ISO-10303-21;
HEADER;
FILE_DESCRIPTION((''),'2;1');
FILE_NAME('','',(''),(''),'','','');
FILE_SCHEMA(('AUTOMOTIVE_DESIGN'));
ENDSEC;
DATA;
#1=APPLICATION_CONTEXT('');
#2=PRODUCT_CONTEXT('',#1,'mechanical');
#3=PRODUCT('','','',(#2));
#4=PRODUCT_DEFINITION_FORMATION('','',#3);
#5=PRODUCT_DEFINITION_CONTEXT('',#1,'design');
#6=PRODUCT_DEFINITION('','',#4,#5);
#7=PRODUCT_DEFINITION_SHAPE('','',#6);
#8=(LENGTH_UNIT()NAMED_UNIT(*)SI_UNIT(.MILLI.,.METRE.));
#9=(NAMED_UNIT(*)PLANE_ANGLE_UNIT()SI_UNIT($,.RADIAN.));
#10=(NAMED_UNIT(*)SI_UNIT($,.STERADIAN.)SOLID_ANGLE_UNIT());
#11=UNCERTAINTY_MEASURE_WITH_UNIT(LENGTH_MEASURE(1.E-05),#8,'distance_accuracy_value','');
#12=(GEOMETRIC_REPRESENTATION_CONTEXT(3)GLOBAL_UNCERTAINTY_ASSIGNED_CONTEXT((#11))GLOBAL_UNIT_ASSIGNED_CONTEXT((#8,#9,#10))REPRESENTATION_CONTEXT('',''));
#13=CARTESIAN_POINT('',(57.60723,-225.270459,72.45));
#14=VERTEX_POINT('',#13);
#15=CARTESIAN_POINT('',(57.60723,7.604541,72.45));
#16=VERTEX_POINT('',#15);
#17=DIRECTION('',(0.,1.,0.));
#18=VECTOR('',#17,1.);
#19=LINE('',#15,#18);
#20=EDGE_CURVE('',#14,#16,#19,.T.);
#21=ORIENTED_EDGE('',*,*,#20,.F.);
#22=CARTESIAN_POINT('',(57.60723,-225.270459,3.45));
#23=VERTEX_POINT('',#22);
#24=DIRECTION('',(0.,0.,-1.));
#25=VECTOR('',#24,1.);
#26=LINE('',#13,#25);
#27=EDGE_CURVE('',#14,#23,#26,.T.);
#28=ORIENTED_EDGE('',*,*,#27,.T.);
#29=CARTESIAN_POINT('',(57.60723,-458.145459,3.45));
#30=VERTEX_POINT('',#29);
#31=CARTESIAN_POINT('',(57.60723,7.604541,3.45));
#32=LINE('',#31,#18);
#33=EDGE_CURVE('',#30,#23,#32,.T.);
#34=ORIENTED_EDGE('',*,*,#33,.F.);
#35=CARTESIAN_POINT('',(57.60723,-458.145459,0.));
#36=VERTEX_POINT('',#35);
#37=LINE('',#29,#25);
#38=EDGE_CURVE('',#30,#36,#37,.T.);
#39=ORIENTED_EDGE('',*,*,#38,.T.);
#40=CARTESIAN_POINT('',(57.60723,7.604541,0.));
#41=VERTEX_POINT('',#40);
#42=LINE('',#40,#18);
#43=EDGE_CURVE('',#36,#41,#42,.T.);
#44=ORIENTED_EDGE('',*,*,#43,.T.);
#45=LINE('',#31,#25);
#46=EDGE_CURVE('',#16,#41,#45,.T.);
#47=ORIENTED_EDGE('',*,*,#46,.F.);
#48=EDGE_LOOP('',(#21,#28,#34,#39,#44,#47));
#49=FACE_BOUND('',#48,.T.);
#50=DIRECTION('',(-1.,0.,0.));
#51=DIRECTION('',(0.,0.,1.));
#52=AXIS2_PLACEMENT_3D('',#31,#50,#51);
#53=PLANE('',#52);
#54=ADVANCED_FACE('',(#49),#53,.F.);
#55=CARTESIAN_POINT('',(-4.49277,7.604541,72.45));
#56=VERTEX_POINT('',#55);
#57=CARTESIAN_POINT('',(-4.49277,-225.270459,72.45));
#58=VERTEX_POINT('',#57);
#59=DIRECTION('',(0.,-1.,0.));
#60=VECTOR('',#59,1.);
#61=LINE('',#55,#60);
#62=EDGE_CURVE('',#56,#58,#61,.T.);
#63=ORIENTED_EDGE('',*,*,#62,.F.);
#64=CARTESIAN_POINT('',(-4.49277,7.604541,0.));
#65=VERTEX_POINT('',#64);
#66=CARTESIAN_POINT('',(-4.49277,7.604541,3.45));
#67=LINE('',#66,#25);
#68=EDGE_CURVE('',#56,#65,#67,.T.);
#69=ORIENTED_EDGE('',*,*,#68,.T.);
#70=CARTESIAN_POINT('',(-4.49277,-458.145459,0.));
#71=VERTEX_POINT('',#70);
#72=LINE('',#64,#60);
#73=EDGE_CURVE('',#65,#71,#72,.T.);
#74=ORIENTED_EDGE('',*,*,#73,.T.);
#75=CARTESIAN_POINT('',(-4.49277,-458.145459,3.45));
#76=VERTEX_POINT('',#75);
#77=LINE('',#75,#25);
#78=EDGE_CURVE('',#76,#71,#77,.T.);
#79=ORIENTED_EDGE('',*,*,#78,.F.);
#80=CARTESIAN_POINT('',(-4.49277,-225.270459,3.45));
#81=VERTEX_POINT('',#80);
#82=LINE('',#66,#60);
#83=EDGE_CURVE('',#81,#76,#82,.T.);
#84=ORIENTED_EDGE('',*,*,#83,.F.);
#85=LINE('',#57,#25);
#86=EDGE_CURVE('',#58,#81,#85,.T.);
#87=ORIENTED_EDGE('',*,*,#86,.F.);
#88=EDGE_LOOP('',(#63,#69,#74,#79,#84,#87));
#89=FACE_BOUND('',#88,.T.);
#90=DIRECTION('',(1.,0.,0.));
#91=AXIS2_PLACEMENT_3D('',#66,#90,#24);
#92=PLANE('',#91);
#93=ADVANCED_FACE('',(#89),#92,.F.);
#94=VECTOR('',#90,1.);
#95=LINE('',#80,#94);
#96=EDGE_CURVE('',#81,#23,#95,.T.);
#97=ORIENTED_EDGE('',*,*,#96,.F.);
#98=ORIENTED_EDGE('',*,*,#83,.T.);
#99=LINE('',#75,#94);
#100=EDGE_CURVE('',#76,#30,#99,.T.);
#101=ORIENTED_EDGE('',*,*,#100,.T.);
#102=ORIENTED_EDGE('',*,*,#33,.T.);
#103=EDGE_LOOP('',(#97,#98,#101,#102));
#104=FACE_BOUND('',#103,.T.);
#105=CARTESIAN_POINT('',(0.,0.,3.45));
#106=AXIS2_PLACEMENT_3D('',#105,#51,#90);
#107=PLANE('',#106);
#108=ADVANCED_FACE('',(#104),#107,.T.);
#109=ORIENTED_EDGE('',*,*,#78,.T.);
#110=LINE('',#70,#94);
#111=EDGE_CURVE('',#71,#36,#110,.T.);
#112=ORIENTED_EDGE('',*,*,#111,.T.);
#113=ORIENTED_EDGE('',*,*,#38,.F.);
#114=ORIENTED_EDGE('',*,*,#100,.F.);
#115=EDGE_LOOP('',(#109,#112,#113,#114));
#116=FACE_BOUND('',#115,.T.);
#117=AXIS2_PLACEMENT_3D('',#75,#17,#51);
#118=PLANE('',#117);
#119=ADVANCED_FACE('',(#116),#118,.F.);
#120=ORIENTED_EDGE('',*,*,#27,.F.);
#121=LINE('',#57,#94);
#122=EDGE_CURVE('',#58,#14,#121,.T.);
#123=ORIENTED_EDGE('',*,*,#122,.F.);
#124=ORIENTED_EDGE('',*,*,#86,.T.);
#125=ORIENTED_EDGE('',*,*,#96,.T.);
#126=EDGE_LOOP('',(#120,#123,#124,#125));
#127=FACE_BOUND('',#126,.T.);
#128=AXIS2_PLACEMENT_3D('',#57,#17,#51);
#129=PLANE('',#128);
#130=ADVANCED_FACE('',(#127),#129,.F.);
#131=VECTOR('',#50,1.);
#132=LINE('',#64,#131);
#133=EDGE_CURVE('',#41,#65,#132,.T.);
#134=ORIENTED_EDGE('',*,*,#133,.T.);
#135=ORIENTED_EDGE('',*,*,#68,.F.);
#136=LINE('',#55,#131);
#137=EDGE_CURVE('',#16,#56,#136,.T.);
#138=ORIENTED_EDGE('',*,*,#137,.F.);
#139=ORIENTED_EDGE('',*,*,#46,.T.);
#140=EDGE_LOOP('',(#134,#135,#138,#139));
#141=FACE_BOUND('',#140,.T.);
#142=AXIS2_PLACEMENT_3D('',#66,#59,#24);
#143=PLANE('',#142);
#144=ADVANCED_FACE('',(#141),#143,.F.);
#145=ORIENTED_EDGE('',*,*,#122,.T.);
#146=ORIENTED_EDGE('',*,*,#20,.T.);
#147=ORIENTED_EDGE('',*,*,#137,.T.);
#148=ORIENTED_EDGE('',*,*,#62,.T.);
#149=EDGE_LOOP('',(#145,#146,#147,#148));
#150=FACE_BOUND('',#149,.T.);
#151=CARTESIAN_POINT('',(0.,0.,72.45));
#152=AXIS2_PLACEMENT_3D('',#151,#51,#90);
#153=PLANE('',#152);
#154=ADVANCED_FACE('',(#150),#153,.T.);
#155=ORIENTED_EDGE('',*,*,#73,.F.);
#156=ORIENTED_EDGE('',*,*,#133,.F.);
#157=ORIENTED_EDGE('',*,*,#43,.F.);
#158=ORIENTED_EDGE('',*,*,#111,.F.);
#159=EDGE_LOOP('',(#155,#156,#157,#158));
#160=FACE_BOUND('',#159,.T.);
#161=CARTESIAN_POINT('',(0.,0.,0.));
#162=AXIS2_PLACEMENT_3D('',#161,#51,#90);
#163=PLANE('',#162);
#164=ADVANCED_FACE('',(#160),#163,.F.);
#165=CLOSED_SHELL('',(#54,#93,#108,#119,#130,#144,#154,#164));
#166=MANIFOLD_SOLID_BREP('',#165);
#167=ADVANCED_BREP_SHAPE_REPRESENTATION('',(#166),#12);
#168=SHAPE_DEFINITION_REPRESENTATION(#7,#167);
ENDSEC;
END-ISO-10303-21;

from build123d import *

# Parameters (mm, degrees)
SKETCH_1_W      = 180
SKETCH_1_H      = 1350
EXTRUDE_1_DEPTH = 10
SKETCH_2_W      = 180
SKETCH_2_H      = 675
EXTRUDE_2_DEPTH = 200
SCALE_1_SCALE   = 0.345


with BuildPart() as part:
    # 草图1 → 凸台-拉伸1 (new body)
    with BuildSketch(Plane.XY):
        with Locations((76.977478815, -652.957853403)):
            Rectangle(SKETCH_1_W, SKETCH_1_H)
    extrude(amount=EXTRUDE_1_DEPTH)

    # 草图2 → 凸台-拉伸2 (add)
    with BuildSketch(Plane.XY.offset(10)):
        with Locations((76.977478815, -315.457853403)):
            Rectangle(SKETCH_2_W, SKETCH_2_H)
    extrude(amount=EXTRUDE_2_DEPTH)


with BuildPart() as part_1:
    # 缩放比例1: scaled about (0, 0, 0)
    add(part.part.scale(SCALE_1_SCALE))


solid = part_1.part
